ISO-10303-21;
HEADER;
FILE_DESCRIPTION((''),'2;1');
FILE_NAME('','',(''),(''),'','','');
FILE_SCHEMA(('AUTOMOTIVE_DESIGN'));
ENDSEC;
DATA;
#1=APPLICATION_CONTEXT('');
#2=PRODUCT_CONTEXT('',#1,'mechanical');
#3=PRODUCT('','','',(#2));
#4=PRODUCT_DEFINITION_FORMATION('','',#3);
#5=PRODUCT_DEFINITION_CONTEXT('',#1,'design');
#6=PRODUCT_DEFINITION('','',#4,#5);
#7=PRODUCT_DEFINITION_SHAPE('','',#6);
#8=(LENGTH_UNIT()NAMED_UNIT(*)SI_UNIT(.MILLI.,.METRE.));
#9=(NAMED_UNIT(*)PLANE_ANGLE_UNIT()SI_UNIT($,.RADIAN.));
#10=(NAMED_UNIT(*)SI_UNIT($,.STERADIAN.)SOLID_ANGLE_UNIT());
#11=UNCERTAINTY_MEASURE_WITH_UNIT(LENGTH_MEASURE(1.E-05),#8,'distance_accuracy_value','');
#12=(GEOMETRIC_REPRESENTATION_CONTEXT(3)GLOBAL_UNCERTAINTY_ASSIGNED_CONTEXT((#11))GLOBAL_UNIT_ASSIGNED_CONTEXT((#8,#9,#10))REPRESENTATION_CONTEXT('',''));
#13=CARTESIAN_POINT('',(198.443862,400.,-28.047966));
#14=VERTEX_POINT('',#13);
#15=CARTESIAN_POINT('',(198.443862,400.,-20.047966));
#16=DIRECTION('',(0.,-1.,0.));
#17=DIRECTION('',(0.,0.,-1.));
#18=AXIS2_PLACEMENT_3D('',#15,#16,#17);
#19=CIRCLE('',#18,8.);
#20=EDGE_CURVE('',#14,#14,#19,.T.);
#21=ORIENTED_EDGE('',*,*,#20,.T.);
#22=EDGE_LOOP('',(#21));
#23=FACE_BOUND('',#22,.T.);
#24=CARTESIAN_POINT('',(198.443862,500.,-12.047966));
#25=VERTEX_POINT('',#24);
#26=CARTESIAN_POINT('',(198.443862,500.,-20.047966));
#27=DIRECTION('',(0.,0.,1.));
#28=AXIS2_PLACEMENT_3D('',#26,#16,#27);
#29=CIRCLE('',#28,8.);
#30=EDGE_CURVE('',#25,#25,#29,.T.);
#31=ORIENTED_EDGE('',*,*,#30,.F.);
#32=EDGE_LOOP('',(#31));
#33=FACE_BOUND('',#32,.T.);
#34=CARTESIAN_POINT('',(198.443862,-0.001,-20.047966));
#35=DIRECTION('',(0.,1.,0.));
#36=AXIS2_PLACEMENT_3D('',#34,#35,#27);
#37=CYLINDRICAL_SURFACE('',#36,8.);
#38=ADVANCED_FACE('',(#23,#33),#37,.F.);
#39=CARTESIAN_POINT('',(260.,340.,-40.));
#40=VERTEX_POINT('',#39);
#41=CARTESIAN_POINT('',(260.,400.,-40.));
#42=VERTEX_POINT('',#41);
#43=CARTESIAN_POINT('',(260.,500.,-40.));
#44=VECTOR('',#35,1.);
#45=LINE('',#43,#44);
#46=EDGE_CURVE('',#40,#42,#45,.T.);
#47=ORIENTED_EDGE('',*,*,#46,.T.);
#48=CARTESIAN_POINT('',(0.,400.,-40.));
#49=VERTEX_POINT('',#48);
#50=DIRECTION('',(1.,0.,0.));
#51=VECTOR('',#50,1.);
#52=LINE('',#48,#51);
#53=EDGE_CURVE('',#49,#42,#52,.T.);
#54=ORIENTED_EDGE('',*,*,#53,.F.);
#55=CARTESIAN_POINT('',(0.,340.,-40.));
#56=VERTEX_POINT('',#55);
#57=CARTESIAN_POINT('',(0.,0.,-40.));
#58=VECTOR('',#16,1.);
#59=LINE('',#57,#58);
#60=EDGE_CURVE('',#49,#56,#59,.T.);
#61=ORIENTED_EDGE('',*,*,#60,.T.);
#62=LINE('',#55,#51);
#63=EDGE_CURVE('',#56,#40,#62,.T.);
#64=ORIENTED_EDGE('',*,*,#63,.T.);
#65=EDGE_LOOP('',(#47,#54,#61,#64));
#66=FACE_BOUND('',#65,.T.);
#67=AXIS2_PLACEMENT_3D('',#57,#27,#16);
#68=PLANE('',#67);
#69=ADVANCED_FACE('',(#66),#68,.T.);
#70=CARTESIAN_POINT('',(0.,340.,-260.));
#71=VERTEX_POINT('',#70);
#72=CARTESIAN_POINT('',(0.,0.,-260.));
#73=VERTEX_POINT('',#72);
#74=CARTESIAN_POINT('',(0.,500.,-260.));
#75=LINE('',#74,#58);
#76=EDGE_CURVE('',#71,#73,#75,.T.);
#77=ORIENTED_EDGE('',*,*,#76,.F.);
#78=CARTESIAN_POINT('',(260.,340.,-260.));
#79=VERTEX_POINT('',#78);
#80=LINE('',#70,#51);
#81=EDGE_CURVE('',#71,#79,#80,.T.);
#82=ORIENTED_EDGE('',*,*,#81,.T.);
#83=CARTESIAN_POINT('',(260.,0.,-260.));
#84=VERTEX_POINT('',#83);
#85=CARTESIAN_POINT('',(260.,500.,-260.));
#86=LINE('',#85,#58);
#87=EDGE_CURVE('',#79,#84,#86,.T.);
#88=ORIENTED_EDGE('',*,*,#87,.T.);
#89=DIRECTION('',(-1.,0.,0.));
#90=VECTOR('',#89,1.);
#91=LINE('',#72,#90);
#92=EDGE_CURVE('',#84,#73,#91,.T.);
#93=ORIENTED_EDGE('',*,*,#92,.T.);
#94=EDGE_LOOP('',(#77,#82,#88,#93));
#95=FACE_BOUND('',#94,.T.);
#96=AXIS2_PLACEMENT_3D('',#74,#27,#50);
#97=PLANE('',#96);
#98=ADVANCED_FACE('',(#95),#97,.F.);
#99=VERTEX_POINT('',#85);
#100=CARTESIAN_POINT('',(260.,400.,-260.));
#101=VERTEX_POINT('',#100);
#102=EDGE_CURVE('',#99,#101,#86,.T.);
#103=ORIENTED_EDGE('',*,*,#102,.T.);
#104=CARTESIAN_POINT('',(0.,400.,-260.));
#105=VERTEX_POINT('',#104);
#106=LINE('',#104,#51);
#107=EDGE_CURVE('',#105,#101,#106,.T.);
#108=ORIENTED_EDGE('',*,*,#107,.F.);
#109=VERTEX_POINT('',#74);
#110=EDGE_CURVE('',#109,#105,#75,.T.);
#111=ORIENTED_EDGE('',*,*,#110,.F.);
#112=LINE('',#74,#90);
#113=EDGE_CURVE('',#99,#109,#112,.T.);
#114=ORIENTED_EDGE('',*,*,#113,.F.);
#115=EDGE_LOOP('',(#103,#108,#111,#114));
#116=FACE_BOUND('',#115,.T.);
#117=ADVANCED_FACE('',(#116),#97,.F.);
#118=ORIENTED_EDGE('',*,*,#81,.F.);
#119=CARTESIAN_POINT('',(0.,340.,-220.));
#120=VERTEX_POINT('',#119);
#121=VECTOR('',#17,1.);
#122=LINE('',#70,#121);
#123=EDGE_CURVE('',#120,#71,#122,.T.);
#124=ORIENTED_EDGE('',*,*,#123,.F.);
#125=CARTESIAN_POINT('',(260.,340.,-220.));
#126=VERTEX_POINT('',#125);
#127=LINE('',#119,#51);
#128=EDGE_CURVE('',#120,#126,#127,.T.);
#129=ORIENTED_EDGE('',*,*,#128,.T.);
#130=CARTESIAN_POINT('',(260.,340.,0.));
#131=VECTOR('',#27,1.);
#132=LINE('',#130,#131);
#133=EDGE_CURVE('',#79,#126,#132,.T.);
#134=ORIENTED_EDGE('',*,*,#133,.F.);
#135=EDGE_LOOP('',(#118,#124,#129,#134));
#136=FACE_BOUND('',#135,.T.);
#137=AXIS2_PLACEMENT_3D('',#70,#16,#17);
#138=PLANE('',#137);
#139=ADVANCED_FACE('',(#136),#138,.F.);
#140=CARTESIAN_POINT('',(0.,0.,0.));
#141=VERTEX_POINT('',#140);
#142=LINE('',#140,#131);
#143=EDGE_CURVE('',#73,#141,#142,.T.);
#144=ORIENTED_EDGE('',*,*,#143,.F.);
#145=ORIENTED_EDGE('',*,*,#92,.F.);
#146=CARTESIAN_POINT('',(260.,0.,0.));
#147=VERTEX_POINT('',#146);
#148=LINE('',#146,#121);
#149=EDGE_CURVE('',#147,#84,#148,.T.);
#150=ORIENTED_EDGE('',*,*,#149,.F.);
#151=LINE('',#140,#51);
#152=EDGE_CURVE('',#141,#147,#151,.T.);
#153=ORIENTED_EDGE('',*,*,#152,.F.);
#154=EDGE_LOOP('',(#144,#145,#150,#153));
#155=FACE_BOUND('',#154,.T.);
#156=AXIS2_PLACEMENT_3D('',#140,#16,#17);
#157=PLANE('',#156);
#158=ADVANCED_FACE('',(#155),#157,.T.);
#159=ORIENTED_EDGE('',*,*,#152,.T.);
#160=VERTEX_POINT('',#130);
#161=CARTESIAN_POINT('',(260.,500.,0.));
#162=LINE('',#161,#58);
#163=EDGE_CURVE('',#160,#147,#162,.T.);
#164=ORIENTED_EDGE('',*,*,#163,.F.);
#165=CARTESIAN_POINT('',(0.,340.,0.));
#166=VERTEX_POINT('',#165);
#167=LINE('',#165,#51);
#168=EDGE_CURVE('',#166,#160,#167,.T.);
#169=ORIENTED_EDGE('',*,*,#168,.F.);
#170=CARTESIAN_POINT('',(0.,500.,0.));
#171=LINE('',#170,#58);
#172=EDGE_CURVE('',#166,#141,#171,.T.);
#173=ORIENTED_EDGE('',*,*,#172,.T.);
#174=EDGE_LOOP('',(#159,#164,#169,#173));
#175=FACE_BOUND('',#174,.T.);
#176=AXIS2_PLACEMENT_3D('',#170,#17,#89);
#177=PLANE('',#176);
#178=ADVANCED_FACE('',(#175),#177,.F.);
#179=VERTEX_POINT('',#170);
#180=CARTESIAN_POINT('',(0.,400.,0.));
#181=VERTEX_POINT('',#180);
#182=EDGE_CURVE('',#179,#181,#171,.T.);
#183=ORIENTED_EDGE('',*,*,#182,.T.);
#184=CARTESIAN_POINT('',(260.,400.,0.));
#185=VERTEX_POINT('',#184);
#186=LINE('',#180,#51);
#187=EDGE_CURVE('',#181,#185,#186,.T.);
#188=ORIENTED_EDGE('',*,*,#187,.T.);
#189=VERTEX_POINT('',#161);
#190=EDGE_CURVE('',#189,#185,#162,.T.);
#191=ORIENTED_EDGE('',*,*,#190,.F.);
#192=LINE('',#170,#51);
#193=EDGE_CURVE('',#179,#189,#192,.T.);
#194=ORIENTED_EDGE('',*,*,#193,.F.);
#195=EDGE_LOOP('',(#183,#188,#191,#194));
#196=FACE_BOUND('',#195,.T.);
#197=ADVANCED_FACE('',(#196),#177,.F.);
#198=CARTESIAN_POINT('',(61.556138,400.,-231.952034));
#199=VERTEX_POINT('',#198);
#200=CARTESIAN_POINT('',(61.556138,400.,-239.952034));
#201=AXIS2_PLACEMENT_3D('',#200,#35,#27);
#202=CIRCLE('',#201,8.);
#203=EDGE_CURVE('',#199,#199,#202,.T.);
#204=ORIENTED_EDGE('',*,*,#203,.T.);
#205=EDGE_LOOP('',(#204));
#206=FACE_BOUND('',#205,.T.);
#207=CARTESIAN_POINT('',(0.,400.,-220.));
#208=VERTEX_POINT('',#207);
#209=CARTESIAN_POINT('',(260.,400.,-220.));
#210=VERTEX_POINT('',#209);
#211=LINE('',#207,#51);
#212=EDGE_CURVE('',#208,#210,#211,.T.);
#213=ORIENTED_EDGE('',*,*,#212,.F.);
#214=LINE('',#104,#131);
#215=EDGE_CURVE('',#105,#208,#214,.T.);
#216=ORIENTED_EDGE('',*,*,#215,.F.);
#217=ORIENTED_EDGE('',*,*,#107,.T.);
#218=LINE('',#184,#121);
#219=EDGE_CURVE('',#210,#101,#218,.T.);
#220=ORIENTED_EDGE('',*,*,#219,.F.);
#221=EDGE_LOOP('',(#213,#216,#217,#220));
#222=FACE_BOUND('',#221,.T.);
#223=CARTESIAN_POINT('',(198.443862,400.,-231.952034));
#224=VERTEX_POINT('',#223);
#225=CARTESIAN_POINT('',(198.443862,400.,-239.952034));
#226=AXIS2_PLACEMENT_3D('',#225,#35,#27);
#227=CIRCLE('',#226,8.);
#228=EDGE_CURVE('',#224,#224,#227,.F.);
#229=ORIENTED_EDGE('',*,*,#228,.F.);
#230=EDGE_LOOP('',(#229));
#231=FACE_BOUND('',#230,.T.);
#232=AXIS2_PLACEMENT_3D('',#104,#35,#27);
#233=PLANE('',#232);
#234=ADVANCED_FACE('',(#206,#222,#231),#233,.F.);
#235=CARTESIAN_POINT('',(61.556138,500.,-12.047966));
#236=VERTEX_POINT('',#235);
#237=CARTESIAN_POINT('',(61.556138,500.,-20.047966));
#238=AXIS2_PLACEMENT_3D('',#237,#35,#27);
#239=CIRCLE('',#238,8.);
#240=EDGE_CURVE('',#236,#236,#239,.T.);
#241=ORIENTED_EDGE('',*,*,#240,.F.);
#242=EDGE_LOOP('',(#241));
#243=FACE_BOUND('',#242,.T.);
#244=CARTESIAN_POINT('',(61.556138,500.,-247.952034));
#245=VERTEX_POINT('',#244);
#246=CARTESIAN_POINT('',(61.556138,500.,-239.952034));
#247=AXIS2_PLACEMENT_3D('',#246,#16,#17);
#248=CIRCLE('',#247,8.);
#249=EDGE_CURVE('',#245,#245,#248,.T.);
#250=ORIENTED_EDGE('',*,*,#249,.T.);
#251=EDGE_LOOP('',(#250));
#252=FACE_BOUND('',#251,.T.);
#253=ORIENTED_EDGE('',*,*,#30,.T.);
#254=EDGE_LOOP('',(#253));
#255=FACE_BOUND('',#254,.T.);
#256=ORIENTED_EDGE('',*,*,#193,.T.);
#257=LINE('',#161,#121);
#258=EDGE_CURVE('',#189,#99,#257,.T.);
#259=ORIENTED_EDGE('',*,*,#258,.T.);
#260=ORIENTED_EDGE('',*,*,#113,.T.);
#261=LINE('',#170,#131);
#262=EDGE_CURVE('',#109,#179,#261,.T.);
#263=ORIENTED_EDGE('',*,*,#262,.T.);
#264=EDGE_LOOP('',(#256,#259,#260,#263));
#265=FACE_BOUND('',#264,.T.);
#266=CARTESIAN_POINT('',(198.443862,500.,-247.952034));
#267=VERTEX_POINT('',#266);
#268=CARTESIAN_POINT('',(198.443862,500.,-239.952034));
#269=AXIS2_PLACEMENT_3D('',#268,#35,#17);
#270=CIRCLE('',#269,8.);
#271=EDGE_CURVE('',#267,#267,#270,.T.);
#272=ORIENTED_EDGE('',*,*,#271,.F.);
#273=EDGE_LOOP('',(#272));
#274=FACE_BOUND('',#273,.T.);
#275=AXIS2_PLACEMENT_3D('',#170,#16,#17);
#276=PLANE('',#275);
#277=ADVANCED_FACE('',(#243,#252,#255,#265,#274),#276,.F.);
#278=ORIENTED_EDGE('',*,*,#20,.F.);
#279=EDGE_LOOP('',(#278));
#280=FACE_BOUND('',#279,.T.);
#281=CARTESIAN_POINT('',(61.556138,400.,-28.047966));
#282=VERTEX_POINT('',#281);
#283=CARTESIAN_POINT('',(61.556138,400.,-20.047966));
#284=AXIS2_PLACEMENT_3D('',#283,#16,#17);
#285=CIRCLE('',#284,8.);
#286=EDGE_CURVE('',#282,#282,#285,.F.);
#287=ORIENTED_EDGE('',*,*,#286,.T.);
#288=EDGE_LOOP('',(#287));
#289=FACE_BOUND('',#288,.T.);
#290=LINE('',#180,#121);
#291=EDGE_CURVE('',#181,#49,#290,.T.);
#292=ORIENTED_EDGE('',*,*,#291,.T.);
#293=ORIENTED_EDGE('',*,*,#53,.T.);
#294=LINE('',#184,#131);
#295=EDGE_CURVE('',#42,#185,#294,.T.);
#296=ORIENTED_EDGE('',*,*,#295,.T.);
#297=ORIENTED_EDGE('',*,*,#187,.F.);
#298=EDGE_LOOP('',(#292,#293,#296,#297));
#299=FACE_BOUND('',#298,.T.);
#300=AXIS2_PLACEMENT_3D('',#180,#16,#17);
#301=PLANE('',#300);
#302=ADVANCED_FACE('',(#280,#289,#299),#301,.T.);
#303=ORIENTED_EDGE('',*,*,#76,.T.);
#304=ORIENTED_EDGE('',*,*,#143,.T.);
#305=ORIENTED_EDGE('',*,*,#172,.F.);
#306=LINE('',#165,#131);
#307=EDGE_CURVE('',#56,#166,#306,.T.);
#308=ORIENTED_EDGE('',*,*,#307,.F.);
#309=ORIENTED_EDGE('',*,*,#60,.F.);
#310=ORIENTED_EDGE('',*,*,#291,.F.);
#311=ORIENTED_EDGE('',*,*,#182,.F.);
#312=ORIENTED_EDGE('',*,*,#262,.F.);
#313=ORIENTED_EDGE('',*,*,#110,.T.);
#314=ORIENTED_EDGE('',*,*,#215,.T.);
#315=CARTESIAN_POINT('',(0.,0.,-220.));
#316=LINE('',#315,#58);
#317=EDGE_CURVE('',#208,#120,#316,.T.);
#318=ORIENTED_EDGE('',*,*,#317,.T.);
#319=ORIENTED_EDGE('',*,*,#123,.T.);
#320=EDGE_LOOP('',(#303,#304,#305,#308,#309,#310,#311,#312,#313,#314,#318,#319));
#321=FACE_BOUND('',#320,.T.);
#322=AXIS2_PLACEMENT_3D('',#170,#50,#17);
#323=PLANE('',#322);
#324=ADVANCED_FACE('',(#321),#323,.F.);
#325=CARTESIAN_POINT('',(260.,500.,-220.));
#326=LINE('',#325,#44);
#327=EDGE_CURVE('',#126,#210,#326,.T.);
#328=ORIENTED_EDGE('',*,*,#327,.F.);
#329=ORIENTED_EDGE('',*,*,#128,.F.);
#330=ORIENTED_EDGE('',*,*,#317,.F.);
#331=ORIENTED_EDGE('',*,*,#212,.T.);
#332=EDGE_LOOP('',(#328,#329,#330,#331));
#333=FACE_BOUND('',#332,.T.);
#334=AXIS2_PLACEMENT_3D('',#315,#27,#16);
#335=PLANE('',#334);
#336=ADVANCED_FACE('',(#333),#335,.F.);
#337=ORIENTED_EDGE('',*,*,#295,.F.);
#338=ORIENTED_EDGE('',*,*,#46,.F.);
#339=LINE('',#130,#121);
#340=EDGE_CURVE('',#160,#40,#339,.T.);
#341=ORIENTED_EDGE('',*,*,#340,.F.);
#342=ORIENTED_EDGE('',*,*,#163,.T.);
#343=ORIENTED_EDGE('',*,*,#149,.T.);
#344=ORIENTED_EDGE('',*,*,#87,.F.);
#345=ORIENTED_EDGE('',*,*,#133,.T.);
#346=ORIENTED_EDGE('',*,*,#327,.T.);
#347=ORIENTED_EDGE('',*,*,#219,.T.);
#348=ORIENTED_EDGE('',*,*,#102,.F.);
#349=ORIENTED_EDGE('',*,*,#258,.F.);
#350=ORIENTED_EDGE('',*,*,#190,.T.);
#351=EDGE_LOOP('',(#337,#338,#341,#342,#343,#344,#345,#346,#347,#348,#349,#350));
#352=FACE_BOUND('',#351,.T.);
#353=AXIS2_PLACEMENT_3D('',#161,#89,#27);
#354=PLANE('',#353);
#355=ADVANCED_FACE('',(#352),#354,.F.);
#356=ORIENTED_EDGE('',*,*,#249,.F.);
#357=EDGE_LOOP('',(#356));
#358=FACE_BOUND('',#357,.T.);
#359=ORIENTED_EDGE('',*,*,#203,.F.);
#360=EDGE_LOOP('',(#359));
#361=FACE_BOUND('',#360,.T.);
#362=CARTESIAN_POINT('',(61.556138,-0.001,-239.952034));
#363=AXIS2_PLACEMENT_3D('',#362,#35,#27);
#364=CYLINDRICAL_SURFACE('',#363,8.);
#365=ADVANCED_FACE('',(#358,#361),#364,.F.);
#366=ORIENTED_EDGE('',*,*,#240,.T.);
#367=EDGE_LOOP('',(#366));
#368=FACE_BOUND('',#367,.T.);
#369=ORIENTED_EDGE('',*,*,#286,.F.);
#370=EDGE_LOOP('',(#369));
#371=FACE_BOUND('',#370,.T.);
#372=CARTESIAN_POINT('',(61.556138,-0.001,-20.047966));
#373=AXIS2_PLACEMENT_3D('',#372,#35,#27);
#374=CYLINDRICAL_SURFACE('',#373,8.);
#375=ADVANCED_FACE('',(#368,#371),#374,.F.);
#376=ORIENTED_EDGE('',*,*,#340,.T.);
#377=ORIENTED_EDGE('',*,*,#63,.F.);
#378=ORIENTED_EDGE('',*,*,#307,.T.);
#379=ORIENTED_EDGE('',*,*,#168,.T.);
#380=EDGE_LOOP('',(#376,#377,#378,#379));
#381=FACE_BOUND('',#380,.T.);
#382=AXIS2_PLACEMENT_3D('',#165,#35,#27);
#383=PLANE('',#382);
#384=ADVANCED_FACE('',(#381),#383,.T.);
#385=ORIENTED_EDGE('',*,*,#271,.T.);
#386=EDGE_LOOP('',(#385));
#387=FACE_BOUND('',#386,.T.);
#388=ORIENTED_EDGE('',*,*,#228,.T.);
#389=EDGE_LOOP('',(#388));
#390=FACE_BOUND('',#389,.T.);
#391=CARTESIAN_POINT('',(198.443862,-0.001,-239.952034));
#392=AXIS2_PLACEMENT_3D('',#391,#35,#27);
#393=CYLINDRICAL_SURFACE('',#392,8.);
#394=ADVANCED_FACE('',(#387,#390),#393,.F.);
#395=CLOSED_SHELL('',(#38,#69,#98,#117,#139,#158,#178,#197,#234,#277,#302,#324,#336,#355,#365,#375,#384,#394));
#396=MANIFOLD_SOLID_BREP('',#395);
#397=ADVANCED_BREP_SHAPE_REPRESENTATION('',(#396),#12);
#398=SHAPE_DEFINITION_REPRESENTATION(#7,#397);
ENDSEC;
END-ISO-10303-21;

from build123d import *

# Parameters (mm, degrees)
SKETCH2_W            = 260
SKETCH2_H            = 260
BOSS_EXTRUDE1_DEPTH  = 500
SKETCH4_W            = 40
SKETCH4_H            = 60
CUT_EXTRUDE1_DEPTH   = 621.644825967
CUT_EXTRUDE2_REACH   = 622.645
MIRROR2_COPY_1_REACH = 622.645


with BuildPart() as part:
    # Sketch2 → Boss-Extrude1 (new body)
    with BuildSketch(Plane(origin=(0, 0, 0), x_dir=(1, 0, 0), z_dir=(0, 1, 0))):
        with Locations((130, 130)):
            Rectangle(SKETCH2_W, SKETCH2_H)
    extrude(amount=BOSS_EXTRUDE1_DEPTH)

    # Sketch4 → Cut-Extrude1 (cut, symmetric)
    with BuildSketch(Plane(origin=(260, 0, 0), x_dir=(0, 0, -1), z_dir=(1, 0, 0))):
        with Locations((20, 370)):
            Rectangle(SKETCH4_W, SKETCH4_H)
    cut_extrude1 = extrude(amount=CUT_EXTRUDE1_DEPTH, both=True, mode=Mode.SUBTRACT)

    # Sketch5 → Cut-Extrude2 (cut, up to next)
    with BuildSketch(Plane(origin=(0, 500, 0), x_dir=(1, 0, 0), z_dir=(0, 1, 0)), mode=Mode.PRIVATE) as cut_extrude2_sk1:
        with BuildLine():
            ThreePointArc((69.556138468, 20.047965883), (67.212992718, 25.704820132), (61.556138468, 28.047965883))
            Line((61.556138468, 28.047965883), (61.556138468, 20.047965883))
            Line((61.556138468, 20.047965883), (61.556138468, 12.047965883))
            ThreePointArc((61.556138468, 12.047965883), (67.212992718, 14.391111633), (69.556138468, 20.047965883))
        make_face()
    cut_extrude2_tool1 = extrude(cut_extrude2_sk1.sketch, amount=-CUT_EXTRUDE2_REACH, mode=Mode.PRIVATE) & part.part
    # Sketch5 → Cut-Extrude2 (cut, up to next)
    with BuildSketch(Plane(origin=(0, 500, 0), x_dir=(1, 0, 0), z_dir=(0, 1, 0)), mode=Mode.PRIVATE) as cut_extrude2_sk2:
        with BuildLine():
            Line((61.556138468, 20.047965883), (61.556138468, 28.047965883))
            ThreePointArc((61.556138468, 28.047965883), (53.556138468, 20.047965883), (61.556138468, 12.047965883))
            Line((61.556138468, 12.047965883), (61.556138468, 20.047965883))
        make_face()
    cut_extrude2_tool2 = extrude(cut_extrude2_sk2.sketch, amount=-CUT_EXTRUDE2_REACH, mode=Mode.PRIVATE) & part.part
    # Sketch5 → Cut-Extrude2 (cut, up to next)
    with BuildSketch(Plane(origin=(0, 500, 0), x_dir=(1, 0, 0), z_dir=(0, 1, 0)), mode=Mode.PRIVATE) as cut_extrude2_sk3:
        with BuildLine():
            ThreePointArc((69.556138468, 20.047965883), (67.212992718, 25.704820132), (61.556138468, 28.047965883))
            Line((61.556138468, 28.047965883), (61.556138468, 20.047965883))
            Line((61.556138468, 20.047965883), (61.556138468, 12.047965883))
            ThreePointArc((61.556138468, 12.047965883), (67.212992718, 14.391111633), (69.556138468, 20.047965883))
        make_face()
    cut_extrude2_tool3 = extrude(cut_extrude2_sk3.sketch, amount=-CUT_EXTRUDE2_REACH, mode=Mode.PRIVATE) & part.part
    # Sketch5 → Cut-Extrude2 (cut, up to next)
    with BuildSketch(Plane(origin=(0, 500, 0), x_dir=(1, 0, 0), z_dir=(0, 1, 0)), mode=Mode.PRIVATE) as cut_extrude2_sk4:
        with BuildLine():
            Line((61.556138468, 20.047965883), (61.556138468, 28.047965883))
            ThreePointArc((61.556138468, 28.047965883), (53.556138468, 20.047965883), (61.556138468, 12.047965883))
            Line((61.556138468, 12.047965883), (61.556138468, 20.047965883))
        make_face()
    cut_extrude2_tool4 = extrude(cut_extrude2_sk4.sketch, amount=-CUT_EXTRUDE2_REACH, mode=Mode.PRIVATE) & part.part
    cut_extrude2_1 = cut_extrude2_tool1.solids().sort_by_distance((64.951444, 500, -20.047966))[0]
    add(cut_extrude2_1, mode=Mode.SUBTRACT)
    cut_extrude2_2 = cut_extrude2_tool2.solids().sort_by_distance((58.160833, 500, -20.047966))[0]
    add(cut_extrude2_2, mode=Mode.SUBTRACT)
    cut_extrude2_3 = cut_extrude2_tool3.solids().sort_by_distance((64.951444, 500, -20.047966))[0]
    add(cut_extrude2_3, mode=Mode.SUBTRACT)
    cut_extrude2_4 = cut_extrude2_tool4.solids().sort_by_distance((58.160833, 500, -20.047966))[0]
    add(cut_extrude2_4, mode=Mode.SUBTRACT)
    cut_extrude2 = cut_extrude2_1 + cut_extrude2_2 + cut_extrude2_3 + cut_extrude2_4  # Cut-Extrude2 as one shape, for the pattern or mirror that repeats it

    # Mirror1: Cut-Extrude2 across plane
    add(cut_extrude2.mirror(Plane.ZY.offset(-130)), mode=Mode.SUBTRACT)

    # Mirror2: Cut-Extrude1, Cut-Extrude2 across plane
    add(cut_extrude1.mirror(Plane(origin=(0, 0, -130), x_dir=(1, 0, 0), z_dir=(0, 0, -1))), mode=Mode.SUBTRACT)
    add(cut_extrude2.mirror(Plane(origin=(0, 0, -130), x_dir=(1, 0, 0), z_dir=(0, 0, -1))), mode=Mode.SUBTRACT)

    # Mirror2 copy 1 sketch → Mirror2 copy 1 (cut, up to next)
    with BuildSketch(Plane(origin=(260, 500, -260), x_dir=(-1, 0, 0), z_dir=(0, 1, 0)), mode=Mode.PRIVATE) as mirror2_copy_1_sk1:
        with BuildLine():
            ThreePointArc((69.556138468, 20.047965883), (67.212992718, 25.704820132), (61.556138468, 28.047965883))
            Line((61.556138468, 28.047965883), (61.556138468, 20.047965883))
            Line((61.556138468, 20.047965883), (61.556138468, 12.047965883))
            ThreePointArc((61.556138468, 12.047965883), (67.212992718, 14.391111633), (69.556138468, 20.047965883))
        make_face()
    mirror2_copy_1_tool1 = extrude(mirror2_copy_1_sk1.sketch, amount=-MIRROR2_COPY_1_REACH, mode=Mode.PRIVATE) & part.part
    # Mirror2 copy 1 sketch → Mirror2 copy 1 (cut, up to next)
    with BuildSketch(Plane(origin=(260, 500, -260), x_dir=(-1, 0, 0), z_dir=(0, 1, 0)), mode=Mode.PRIVATE) as mirror2_copy_1_sk2:
        with BuildLine():
            Line((61.556138468, 20.047965883), (61.556138468, 28.047965883))
            ThreePointArc((61.556138468, 28.047965883), (53.556138468, 20.047965883), (61.556138468, 12.047965883))
            Line((61.556138468, 12.047965883), (61.556138468, 20.047965883))
        make_face()
    mirror2_copy_1_tool2 = extrude(mirror2_copy_1_sk2.sketch, amount=-MIRROR2_COPY_1_REACH, mode=Mode.PRIVATE) & part.part
    # Mirror2 copy 1 sketch → Mirror2 copy 1 (cut, up to next)
    with BuildSketch(Plane(origin=(260, 500, -260), x_dir=(-1, 0, 0), z_dir=(0, 1, 0)), mode=Mode.PRIVATE) as mirror2_copy_1_sk3:
        with BuildLine():
            ThreePointArc((69.556138468, 20.047965883), (67.212992718, 25.704820132), (61.556138468, 28.047965883))
            Line((61.556138468, 28.047965883), (61.556138468, 20.047965883))
            Line((61.556138468, 20.047965883), (61.556138468, 12.047965883))
            ThreePointArc((61.556138468, 12.047965883), (67.212992718, 14.391111633), (69.556138468, 20.047965883))
        make_face()
    mirror2_copy_1_tool3 = extrude(mirror2_copy_1_sk3.sketch, amount=-MIRROR2_COPY_1_REACH, mode=Mode.PRIVATE) & part.part
    # Mirror2 copy 1 sketch → Mirror2 copy 1 (cut, up to next)
    with BuildSketch(Plane(origin=(260, 500, -260), x_dir=(-1, 0, 0), z_dir=(0, 1, 0)), mode=Mode.PRIVATE) as mirror2_copy_1_sk4:
        with BuildLine():
            Line((61.556138468, 20.047965883), (61.556138468, 28.047965883))
            ThreePointArc((61.556138468, 28.047965883), (53.556138468, 20.047965883), (61.556138468, 12.047965883))
            Line((61.556138468, 12.047965883), (61.556138468, 20.047965883))
        make_face()
    mirror2_copy_1_tool4 = extrude(mirror2_copy_1_sk4.sketch, amount=-MIRROR2_COPY_1_REACH, mode=Mode.PRIVATE) & part.part
    add(mirror2_copy_1_tool1.solids().sort_by_distance((195.048556, 500, -239.952034))[0], mode=Mode.SUBTRACT)
    add(mirror2_copy_1_tool2.solids().sort_by_distance((201.839167, 500, -239.952034))[0], mode=Mode.SUBTRACT)
    add(mirror2_copy_1_tool3.solids().sort_by_distance((195.048556, 500, -239.952034))[0], mode=Mode.SUBTRACT)
    add(mirror2_copy_1_tool4.solids().sort_by_distance((201.839167, 500, -239.952034))[0], mode=Mode.SUBTRACT)


solid = part.part
